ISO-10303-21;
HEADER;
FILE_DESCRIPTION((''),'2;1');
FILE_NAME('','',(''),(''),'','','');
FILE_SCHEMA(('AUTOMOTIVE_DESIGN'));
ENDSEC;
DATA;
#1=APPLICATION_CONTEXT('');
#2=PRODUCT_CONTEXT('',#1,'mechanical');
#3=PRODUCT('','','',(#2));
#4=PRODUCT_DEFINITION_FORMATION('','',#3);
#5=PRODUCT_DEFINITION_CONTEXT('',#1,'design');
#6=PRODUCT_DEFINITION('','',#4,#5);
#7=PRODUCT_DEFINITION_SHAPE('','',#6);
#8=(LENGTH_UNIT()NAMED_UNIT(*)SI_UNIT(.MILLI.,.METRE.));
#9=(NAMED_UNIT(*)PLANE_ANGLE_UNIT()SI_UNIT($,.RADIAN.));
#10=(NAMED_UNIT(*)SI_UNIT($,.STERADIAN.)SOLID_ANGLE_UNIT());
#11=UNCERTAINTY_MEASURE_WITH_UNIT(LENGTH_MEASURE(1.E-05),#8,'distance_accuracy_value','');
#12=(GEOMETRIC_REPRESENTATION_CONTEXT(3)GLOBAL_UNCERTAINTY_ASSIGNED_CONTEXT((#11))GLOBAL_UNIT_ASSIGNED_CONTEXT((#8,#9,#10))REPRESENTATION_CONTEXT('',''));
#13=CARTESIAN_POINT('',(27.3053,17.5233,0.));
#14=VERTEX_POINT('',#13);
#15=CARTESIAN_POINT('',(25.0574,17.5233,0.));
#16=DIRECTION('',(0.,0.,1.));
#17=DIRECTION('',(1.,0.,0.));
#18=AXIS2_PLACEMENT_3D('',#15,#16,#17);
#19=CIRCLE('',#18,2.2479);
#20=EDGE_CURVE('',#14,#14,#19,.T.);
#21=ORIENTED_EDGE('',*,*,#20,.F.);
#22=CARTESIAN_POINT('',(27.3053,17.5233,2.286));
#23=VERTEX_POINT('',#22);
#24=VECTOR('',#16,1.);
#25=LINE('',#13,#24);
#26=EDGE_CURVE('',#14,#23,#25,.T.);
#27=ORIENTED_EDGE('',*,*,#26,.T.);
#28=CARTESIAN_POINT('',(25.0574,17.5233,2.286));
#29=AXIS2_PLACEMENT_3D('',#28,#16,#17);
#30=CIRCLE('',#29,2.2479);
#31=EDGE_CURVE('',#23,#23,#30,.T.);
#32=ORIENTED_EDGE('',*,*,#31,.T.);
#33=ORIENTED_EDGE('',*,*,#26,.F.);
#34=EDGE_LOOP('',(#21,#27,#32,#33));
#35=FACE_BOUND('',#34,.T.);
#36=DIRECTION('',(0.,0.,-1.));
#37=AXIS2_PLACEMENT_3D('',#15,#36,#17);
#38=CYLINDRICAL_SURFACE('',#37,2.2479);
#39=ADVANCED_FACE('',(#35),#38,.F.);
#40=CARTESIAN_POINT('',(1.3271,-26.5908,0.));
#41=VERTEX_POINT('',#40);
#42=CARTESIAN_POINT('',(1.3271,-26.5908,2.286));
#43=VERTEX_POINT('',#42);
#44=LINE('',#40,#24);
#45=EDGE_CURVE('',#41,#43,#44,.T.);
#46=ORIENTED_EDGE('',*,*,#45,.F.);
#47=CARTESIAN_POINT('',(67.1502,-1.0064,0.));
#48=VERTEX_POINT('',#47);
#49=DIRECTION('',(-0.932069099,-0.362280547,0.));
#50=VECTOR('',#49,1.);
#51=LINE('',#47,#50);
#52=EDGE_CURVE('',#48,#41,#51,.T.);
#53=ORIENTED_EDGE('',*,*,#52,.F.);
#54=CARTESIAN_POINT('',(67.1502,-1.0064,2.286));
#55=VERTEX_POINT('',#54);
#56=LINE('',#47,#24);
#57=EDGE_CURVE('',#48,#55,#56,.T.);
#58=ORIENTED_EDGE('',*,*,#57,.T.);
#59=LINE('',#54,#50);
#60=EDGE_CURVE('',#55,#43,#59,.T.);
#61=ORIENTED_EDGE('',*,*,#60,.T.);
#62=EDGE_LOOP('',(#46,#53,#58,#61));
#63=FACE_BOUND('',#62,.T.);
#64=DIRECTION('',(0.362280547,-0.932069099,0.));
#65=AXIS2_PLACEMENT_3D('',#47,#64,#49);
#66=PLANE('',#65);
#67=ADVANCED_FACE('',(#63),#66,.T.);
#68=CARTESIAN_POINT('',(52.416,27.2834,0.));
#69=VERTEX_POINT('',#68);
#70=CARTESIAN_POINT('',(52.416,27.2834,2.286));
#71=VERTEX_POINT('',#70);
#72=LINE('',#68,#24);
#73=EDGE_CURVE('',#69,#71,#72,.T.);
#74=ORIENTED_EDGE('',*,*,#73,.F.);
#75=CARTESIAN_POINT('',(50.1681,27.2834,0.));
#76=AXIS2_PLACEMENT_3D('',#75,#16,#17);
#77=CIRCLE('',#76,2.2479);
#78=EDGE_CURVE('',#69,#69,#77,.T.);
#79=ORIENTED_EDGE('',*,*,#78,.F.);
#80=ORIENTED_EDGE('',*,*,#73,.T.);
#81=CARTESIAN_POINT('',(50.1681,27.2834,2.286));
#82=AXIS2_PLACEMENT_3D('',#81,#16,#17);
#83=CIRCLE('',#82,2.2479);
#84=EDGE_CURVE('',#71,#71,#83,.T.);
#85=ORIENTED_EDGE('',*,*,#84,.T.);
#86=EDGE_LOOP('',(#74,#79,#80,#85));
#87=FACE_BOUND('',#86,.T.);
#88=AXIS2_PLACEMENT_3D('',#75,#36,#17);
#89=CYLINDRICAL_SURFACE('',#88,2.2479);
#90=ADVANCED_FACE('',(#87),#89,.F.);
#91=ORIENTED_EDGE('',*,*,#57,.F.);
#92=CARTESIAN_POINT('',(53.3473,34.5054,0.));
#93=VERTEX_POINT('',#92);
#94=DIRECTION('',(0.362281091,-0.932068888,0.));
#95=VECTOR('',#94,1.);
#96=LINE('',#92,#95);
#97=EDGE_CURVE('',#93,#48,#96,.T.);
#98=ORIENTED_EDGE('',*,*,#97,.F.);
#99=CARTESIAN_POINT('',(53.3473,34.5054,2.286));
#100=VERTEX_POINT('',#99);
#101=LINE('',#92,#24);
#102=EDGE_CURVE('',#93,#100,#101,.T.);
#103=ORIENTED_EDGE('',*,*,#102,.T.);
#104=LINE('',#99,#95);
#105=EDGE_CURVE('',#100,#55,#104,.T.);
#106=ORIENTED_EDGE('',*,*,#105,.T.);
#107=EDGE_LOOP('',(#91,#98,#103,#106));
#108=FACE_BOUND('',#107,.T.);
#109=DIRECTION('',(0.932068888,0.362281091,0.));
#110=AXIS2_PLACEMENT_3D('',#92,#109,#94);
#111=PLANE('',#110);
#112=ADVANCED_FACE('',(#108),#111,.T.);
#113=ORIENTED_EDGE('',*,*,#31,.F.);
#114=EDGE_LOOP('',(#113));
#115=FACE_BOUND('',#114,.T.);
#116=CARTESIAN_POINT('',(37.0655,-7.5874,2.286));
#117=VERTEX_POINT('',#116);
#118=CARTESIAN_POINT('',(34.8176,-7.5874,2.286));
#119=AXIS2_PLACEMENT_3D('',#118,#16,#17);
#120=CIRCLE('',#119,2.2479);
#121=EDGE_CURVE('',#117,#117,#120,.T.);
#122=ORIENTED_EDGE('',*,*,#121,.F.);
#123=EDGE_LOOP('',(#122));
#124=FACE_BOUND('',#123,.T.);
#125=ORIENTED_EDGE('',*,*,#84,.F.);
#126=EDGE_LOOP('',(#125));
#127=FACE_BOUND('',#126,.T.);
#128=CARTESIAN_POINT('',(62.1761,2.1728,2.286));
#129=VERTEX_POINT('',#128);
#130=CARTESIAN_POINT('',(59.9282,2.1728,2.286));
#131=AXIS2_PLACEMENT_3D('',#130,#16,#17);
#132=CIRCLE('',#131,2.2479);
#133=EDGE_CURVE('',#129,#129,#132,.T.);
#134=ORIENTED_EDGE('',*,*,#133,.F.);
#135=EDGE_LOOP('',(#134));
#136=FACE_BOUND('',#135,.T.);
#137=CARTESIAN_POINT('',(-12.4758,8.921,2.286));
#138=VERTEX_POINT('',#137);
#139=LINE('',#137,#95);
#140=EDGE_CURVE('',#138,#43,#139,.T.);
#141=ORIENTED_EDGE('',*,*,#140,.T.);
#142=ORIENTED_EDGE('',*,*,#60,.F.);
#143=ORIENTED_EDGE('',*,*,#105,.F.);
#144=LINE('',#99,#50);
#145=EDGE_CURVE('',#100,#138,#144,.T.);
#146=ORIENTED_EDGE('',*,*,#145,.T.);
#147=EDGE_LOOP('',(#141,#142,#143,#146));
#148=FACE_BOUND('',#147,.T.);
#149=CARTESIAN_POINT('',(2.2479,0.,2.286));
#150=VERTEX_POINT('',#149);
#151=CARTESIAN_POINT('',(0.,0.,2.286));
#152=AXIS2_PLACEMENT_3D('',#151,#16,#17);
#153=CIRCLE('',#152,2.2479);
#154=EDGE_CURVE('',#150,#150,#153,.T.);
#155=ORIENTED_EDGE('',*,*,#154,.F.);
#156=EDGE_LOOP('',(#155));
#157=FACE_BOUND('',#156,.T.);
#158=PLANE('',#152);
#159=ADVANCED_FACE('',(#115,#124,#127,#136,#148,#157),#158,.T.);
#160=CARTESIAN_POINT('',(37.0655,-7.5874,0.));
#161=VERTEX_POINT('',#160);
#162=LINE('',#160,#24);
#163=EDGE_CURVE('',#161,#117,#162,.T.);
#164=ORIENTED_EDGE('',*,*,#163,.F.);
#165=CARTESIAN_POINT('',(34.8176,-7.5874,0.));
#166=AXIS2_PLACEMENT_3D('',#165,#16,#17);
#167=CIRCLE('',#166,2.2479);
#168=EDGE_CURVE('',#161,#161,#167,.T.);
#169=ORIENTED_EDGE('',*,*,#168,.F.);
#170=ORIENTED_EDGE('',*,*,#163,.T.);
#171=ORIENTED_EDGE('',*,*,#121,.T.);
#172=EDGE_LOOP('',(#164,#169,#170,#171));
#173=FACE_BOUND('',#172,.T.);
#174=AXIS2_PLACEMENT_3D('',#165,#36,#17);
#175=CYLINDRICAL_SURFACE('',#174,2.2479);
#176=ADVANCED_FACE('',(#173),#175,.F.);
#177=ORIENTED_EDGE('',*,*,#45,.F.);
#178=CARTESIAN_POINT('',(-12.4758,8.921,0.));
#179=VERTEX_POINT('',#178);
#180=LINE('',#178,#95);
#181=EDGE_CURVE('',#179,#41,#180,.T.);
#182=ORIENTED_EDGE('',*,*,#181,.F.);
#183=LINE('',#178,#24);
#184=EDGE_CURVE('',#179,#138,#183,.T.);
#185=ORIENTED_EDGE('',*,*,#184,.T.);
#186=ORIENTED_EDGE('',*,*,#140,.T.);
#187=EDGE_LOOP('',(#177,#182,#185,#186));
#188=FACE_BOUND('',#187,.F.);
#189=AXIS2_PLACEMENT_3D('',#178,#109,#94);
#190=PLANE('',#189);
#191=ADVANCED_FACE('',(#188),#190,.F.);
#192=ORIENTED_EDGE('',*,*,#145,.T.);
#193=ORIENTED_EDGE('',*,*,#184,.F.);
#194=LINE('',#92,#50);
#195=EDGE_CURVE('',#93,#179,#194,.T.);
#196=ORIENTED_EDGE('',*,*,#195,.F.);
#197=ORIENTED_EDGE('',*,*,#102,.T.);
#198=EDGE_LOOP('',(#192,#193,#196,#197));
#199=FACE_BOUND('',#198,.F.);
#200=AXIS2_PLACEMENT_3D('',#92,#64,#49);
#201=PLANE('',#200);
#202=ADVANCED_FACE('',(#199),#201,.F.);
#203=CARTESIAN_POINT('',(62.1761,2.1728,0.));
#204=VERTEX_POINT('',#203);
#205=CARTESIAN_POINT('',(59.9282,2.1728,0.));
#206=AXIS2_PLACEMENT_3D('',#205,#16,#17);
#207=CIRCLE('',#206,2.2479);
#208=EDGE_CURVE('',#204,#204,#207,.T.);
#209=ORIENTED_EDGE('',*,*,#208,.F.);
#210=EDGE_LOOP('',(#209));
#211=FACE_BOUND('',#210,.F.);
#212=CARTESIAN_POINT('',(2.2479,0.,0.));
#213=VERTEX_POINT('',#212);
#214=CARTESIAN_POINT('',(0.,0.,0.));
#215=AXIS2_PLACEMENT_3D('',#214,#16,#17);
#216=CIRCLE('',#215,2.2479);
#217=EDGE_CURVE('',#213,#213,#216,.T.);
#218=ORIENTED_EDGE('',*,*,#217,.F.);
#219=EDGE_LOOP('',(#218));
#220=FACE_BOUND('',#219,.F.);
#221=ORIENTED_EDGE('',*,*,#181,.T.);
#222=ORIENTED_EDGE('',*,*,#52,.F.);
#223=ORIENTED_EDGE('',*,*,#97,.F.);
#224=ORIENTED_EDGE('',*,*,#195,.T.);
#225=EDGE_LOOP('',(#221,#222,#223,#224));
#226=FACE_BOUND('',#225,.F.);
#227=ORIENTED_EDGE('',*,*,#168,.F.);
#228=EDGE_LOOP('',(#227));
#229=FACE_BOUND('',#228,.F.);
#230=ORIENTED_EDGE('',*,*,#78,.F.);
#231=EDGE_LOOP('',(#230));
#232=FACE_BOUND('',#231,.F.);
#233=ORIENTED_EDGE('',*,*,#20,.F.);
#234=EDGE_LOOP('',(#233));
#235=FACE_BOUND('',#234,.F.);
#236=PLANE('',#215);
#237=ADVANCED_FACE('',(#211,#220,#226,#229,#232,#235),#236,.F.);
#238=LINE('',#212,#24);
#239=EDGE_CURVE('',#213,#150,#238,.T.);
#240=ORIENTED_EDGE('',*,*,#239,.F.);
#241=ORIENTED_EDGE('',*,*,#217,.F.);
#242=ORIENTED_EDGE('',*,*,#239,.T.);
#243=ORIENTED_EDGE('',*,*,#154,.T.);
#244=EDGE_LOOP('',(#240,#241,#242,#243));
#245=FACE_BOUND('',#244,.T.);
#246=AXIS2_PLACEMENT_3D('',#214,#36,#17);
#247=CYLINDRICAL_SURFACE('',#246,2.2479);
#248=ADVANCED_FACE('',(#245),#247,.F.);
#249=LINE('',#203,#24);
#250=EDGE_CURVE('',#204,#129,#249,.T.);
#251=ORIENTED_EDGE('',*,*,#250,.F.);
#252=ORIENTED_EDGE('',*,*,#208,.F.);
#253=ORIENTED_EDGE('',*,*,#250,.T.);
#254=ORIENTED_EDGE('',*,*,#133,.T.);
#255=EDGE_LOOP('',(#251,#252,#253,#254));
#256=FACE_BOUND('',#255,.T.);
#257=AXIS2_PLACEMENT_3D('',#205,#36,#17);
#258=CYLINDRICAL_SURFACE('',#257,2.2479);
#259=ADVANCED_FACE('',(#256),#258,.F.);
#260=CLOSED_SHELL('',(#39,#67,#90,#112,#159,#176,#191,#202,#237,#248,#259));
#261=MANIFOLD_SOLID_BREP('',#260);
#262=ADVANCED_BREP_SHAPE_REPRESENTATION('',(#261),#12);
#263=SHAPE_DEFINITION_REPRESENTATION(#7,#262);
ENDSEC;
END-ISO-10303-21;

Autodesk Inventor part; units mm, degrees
ref_plane "YZ Plane" through (0, 0, 0) normal (1, 0, 0) x (0, 1, 0)
ref_plane "XZ Plane" through (0, 0, 0) normal (0, 1, 0) x (-1, 0, 0)
ref_plane "XY Plane" through (0, 0, 0) normal (0, 0, 1) x (1, 0, 0)
sketch "Sketch1" plane through (0, 0, 0) normal (0, 0, 1) x (1, 0, 0)
  circle A0 centre (50.1681, 27.2834) radius 1.778 construction
  circle A1 centre (25.0574, 17.5233) radius 1.778 construction
  circle A2 centre (34.8176, -7.5874) radius 1.778 construction
  circle A3 centre (59.9282, 2.1728) radius 1.778 construction
  circle A4 centre (0, 0) radius 3.5 construction
  circle A5 centre (44.7061, 31.1467) radius 1.778 construction
  circle A6 centre (58.509, -4.3651) radius 1.778 construction
  circle A7 centre (26.4767, 24.0612) radius 1.778 construction
  circle A8 centre (40.2796, -11.4506) radius 1.778 construction
  line L0 (44.7061, 31.1467) -> (26.4767, 24.0612) construction
  line L1 (58.509, -4.3651) -> (40.2796, -11.4506) construction
  line L2 (168.5413, -268.1733) -> (30.5122, 86.945) construction
  circle A9 centre (-14.8554, 15.0432) radius 1.778 construction
  circle A10 centre (1.8062, -27.8234) radius 1.778 construction
  line L3 (67.1502, -1.0064) -> (1.3271, -26.5908)
  line L4 (53.3473, 34.5054) -> (-12.4758, 8.921)
  line L5 (-12.4758, 8.921) -> (1.3271, -26.5908)
  circle A11 centre (50.1681, 27.2834) radius 2.2479
  circle A12 centre (59.9282, 2.1728) radius 2.2479
  circle A13 centre (34.8176, -7.5874) radius 2.2479
  circle A14 centre (25.0574, 17.5233) radius 2.2479
  circle A15 centre (0, 0) radius 2.2479
  line L6 (53.3473, 34.5054) -> (67.1502, -1.0064)
  point P0 (51.2166, 33.6772)
  dimension "d0" = 4.4958
  dimension "d1" = 4.4958
  dimension "d2" = 4.4958
  dimension "d3" = 4.4958
  dimension "d4" = 4.4958
extrude "Extrusion1" add sketch "Sketch1" along normal blind 2.286
properties part number "VWheelArm"
